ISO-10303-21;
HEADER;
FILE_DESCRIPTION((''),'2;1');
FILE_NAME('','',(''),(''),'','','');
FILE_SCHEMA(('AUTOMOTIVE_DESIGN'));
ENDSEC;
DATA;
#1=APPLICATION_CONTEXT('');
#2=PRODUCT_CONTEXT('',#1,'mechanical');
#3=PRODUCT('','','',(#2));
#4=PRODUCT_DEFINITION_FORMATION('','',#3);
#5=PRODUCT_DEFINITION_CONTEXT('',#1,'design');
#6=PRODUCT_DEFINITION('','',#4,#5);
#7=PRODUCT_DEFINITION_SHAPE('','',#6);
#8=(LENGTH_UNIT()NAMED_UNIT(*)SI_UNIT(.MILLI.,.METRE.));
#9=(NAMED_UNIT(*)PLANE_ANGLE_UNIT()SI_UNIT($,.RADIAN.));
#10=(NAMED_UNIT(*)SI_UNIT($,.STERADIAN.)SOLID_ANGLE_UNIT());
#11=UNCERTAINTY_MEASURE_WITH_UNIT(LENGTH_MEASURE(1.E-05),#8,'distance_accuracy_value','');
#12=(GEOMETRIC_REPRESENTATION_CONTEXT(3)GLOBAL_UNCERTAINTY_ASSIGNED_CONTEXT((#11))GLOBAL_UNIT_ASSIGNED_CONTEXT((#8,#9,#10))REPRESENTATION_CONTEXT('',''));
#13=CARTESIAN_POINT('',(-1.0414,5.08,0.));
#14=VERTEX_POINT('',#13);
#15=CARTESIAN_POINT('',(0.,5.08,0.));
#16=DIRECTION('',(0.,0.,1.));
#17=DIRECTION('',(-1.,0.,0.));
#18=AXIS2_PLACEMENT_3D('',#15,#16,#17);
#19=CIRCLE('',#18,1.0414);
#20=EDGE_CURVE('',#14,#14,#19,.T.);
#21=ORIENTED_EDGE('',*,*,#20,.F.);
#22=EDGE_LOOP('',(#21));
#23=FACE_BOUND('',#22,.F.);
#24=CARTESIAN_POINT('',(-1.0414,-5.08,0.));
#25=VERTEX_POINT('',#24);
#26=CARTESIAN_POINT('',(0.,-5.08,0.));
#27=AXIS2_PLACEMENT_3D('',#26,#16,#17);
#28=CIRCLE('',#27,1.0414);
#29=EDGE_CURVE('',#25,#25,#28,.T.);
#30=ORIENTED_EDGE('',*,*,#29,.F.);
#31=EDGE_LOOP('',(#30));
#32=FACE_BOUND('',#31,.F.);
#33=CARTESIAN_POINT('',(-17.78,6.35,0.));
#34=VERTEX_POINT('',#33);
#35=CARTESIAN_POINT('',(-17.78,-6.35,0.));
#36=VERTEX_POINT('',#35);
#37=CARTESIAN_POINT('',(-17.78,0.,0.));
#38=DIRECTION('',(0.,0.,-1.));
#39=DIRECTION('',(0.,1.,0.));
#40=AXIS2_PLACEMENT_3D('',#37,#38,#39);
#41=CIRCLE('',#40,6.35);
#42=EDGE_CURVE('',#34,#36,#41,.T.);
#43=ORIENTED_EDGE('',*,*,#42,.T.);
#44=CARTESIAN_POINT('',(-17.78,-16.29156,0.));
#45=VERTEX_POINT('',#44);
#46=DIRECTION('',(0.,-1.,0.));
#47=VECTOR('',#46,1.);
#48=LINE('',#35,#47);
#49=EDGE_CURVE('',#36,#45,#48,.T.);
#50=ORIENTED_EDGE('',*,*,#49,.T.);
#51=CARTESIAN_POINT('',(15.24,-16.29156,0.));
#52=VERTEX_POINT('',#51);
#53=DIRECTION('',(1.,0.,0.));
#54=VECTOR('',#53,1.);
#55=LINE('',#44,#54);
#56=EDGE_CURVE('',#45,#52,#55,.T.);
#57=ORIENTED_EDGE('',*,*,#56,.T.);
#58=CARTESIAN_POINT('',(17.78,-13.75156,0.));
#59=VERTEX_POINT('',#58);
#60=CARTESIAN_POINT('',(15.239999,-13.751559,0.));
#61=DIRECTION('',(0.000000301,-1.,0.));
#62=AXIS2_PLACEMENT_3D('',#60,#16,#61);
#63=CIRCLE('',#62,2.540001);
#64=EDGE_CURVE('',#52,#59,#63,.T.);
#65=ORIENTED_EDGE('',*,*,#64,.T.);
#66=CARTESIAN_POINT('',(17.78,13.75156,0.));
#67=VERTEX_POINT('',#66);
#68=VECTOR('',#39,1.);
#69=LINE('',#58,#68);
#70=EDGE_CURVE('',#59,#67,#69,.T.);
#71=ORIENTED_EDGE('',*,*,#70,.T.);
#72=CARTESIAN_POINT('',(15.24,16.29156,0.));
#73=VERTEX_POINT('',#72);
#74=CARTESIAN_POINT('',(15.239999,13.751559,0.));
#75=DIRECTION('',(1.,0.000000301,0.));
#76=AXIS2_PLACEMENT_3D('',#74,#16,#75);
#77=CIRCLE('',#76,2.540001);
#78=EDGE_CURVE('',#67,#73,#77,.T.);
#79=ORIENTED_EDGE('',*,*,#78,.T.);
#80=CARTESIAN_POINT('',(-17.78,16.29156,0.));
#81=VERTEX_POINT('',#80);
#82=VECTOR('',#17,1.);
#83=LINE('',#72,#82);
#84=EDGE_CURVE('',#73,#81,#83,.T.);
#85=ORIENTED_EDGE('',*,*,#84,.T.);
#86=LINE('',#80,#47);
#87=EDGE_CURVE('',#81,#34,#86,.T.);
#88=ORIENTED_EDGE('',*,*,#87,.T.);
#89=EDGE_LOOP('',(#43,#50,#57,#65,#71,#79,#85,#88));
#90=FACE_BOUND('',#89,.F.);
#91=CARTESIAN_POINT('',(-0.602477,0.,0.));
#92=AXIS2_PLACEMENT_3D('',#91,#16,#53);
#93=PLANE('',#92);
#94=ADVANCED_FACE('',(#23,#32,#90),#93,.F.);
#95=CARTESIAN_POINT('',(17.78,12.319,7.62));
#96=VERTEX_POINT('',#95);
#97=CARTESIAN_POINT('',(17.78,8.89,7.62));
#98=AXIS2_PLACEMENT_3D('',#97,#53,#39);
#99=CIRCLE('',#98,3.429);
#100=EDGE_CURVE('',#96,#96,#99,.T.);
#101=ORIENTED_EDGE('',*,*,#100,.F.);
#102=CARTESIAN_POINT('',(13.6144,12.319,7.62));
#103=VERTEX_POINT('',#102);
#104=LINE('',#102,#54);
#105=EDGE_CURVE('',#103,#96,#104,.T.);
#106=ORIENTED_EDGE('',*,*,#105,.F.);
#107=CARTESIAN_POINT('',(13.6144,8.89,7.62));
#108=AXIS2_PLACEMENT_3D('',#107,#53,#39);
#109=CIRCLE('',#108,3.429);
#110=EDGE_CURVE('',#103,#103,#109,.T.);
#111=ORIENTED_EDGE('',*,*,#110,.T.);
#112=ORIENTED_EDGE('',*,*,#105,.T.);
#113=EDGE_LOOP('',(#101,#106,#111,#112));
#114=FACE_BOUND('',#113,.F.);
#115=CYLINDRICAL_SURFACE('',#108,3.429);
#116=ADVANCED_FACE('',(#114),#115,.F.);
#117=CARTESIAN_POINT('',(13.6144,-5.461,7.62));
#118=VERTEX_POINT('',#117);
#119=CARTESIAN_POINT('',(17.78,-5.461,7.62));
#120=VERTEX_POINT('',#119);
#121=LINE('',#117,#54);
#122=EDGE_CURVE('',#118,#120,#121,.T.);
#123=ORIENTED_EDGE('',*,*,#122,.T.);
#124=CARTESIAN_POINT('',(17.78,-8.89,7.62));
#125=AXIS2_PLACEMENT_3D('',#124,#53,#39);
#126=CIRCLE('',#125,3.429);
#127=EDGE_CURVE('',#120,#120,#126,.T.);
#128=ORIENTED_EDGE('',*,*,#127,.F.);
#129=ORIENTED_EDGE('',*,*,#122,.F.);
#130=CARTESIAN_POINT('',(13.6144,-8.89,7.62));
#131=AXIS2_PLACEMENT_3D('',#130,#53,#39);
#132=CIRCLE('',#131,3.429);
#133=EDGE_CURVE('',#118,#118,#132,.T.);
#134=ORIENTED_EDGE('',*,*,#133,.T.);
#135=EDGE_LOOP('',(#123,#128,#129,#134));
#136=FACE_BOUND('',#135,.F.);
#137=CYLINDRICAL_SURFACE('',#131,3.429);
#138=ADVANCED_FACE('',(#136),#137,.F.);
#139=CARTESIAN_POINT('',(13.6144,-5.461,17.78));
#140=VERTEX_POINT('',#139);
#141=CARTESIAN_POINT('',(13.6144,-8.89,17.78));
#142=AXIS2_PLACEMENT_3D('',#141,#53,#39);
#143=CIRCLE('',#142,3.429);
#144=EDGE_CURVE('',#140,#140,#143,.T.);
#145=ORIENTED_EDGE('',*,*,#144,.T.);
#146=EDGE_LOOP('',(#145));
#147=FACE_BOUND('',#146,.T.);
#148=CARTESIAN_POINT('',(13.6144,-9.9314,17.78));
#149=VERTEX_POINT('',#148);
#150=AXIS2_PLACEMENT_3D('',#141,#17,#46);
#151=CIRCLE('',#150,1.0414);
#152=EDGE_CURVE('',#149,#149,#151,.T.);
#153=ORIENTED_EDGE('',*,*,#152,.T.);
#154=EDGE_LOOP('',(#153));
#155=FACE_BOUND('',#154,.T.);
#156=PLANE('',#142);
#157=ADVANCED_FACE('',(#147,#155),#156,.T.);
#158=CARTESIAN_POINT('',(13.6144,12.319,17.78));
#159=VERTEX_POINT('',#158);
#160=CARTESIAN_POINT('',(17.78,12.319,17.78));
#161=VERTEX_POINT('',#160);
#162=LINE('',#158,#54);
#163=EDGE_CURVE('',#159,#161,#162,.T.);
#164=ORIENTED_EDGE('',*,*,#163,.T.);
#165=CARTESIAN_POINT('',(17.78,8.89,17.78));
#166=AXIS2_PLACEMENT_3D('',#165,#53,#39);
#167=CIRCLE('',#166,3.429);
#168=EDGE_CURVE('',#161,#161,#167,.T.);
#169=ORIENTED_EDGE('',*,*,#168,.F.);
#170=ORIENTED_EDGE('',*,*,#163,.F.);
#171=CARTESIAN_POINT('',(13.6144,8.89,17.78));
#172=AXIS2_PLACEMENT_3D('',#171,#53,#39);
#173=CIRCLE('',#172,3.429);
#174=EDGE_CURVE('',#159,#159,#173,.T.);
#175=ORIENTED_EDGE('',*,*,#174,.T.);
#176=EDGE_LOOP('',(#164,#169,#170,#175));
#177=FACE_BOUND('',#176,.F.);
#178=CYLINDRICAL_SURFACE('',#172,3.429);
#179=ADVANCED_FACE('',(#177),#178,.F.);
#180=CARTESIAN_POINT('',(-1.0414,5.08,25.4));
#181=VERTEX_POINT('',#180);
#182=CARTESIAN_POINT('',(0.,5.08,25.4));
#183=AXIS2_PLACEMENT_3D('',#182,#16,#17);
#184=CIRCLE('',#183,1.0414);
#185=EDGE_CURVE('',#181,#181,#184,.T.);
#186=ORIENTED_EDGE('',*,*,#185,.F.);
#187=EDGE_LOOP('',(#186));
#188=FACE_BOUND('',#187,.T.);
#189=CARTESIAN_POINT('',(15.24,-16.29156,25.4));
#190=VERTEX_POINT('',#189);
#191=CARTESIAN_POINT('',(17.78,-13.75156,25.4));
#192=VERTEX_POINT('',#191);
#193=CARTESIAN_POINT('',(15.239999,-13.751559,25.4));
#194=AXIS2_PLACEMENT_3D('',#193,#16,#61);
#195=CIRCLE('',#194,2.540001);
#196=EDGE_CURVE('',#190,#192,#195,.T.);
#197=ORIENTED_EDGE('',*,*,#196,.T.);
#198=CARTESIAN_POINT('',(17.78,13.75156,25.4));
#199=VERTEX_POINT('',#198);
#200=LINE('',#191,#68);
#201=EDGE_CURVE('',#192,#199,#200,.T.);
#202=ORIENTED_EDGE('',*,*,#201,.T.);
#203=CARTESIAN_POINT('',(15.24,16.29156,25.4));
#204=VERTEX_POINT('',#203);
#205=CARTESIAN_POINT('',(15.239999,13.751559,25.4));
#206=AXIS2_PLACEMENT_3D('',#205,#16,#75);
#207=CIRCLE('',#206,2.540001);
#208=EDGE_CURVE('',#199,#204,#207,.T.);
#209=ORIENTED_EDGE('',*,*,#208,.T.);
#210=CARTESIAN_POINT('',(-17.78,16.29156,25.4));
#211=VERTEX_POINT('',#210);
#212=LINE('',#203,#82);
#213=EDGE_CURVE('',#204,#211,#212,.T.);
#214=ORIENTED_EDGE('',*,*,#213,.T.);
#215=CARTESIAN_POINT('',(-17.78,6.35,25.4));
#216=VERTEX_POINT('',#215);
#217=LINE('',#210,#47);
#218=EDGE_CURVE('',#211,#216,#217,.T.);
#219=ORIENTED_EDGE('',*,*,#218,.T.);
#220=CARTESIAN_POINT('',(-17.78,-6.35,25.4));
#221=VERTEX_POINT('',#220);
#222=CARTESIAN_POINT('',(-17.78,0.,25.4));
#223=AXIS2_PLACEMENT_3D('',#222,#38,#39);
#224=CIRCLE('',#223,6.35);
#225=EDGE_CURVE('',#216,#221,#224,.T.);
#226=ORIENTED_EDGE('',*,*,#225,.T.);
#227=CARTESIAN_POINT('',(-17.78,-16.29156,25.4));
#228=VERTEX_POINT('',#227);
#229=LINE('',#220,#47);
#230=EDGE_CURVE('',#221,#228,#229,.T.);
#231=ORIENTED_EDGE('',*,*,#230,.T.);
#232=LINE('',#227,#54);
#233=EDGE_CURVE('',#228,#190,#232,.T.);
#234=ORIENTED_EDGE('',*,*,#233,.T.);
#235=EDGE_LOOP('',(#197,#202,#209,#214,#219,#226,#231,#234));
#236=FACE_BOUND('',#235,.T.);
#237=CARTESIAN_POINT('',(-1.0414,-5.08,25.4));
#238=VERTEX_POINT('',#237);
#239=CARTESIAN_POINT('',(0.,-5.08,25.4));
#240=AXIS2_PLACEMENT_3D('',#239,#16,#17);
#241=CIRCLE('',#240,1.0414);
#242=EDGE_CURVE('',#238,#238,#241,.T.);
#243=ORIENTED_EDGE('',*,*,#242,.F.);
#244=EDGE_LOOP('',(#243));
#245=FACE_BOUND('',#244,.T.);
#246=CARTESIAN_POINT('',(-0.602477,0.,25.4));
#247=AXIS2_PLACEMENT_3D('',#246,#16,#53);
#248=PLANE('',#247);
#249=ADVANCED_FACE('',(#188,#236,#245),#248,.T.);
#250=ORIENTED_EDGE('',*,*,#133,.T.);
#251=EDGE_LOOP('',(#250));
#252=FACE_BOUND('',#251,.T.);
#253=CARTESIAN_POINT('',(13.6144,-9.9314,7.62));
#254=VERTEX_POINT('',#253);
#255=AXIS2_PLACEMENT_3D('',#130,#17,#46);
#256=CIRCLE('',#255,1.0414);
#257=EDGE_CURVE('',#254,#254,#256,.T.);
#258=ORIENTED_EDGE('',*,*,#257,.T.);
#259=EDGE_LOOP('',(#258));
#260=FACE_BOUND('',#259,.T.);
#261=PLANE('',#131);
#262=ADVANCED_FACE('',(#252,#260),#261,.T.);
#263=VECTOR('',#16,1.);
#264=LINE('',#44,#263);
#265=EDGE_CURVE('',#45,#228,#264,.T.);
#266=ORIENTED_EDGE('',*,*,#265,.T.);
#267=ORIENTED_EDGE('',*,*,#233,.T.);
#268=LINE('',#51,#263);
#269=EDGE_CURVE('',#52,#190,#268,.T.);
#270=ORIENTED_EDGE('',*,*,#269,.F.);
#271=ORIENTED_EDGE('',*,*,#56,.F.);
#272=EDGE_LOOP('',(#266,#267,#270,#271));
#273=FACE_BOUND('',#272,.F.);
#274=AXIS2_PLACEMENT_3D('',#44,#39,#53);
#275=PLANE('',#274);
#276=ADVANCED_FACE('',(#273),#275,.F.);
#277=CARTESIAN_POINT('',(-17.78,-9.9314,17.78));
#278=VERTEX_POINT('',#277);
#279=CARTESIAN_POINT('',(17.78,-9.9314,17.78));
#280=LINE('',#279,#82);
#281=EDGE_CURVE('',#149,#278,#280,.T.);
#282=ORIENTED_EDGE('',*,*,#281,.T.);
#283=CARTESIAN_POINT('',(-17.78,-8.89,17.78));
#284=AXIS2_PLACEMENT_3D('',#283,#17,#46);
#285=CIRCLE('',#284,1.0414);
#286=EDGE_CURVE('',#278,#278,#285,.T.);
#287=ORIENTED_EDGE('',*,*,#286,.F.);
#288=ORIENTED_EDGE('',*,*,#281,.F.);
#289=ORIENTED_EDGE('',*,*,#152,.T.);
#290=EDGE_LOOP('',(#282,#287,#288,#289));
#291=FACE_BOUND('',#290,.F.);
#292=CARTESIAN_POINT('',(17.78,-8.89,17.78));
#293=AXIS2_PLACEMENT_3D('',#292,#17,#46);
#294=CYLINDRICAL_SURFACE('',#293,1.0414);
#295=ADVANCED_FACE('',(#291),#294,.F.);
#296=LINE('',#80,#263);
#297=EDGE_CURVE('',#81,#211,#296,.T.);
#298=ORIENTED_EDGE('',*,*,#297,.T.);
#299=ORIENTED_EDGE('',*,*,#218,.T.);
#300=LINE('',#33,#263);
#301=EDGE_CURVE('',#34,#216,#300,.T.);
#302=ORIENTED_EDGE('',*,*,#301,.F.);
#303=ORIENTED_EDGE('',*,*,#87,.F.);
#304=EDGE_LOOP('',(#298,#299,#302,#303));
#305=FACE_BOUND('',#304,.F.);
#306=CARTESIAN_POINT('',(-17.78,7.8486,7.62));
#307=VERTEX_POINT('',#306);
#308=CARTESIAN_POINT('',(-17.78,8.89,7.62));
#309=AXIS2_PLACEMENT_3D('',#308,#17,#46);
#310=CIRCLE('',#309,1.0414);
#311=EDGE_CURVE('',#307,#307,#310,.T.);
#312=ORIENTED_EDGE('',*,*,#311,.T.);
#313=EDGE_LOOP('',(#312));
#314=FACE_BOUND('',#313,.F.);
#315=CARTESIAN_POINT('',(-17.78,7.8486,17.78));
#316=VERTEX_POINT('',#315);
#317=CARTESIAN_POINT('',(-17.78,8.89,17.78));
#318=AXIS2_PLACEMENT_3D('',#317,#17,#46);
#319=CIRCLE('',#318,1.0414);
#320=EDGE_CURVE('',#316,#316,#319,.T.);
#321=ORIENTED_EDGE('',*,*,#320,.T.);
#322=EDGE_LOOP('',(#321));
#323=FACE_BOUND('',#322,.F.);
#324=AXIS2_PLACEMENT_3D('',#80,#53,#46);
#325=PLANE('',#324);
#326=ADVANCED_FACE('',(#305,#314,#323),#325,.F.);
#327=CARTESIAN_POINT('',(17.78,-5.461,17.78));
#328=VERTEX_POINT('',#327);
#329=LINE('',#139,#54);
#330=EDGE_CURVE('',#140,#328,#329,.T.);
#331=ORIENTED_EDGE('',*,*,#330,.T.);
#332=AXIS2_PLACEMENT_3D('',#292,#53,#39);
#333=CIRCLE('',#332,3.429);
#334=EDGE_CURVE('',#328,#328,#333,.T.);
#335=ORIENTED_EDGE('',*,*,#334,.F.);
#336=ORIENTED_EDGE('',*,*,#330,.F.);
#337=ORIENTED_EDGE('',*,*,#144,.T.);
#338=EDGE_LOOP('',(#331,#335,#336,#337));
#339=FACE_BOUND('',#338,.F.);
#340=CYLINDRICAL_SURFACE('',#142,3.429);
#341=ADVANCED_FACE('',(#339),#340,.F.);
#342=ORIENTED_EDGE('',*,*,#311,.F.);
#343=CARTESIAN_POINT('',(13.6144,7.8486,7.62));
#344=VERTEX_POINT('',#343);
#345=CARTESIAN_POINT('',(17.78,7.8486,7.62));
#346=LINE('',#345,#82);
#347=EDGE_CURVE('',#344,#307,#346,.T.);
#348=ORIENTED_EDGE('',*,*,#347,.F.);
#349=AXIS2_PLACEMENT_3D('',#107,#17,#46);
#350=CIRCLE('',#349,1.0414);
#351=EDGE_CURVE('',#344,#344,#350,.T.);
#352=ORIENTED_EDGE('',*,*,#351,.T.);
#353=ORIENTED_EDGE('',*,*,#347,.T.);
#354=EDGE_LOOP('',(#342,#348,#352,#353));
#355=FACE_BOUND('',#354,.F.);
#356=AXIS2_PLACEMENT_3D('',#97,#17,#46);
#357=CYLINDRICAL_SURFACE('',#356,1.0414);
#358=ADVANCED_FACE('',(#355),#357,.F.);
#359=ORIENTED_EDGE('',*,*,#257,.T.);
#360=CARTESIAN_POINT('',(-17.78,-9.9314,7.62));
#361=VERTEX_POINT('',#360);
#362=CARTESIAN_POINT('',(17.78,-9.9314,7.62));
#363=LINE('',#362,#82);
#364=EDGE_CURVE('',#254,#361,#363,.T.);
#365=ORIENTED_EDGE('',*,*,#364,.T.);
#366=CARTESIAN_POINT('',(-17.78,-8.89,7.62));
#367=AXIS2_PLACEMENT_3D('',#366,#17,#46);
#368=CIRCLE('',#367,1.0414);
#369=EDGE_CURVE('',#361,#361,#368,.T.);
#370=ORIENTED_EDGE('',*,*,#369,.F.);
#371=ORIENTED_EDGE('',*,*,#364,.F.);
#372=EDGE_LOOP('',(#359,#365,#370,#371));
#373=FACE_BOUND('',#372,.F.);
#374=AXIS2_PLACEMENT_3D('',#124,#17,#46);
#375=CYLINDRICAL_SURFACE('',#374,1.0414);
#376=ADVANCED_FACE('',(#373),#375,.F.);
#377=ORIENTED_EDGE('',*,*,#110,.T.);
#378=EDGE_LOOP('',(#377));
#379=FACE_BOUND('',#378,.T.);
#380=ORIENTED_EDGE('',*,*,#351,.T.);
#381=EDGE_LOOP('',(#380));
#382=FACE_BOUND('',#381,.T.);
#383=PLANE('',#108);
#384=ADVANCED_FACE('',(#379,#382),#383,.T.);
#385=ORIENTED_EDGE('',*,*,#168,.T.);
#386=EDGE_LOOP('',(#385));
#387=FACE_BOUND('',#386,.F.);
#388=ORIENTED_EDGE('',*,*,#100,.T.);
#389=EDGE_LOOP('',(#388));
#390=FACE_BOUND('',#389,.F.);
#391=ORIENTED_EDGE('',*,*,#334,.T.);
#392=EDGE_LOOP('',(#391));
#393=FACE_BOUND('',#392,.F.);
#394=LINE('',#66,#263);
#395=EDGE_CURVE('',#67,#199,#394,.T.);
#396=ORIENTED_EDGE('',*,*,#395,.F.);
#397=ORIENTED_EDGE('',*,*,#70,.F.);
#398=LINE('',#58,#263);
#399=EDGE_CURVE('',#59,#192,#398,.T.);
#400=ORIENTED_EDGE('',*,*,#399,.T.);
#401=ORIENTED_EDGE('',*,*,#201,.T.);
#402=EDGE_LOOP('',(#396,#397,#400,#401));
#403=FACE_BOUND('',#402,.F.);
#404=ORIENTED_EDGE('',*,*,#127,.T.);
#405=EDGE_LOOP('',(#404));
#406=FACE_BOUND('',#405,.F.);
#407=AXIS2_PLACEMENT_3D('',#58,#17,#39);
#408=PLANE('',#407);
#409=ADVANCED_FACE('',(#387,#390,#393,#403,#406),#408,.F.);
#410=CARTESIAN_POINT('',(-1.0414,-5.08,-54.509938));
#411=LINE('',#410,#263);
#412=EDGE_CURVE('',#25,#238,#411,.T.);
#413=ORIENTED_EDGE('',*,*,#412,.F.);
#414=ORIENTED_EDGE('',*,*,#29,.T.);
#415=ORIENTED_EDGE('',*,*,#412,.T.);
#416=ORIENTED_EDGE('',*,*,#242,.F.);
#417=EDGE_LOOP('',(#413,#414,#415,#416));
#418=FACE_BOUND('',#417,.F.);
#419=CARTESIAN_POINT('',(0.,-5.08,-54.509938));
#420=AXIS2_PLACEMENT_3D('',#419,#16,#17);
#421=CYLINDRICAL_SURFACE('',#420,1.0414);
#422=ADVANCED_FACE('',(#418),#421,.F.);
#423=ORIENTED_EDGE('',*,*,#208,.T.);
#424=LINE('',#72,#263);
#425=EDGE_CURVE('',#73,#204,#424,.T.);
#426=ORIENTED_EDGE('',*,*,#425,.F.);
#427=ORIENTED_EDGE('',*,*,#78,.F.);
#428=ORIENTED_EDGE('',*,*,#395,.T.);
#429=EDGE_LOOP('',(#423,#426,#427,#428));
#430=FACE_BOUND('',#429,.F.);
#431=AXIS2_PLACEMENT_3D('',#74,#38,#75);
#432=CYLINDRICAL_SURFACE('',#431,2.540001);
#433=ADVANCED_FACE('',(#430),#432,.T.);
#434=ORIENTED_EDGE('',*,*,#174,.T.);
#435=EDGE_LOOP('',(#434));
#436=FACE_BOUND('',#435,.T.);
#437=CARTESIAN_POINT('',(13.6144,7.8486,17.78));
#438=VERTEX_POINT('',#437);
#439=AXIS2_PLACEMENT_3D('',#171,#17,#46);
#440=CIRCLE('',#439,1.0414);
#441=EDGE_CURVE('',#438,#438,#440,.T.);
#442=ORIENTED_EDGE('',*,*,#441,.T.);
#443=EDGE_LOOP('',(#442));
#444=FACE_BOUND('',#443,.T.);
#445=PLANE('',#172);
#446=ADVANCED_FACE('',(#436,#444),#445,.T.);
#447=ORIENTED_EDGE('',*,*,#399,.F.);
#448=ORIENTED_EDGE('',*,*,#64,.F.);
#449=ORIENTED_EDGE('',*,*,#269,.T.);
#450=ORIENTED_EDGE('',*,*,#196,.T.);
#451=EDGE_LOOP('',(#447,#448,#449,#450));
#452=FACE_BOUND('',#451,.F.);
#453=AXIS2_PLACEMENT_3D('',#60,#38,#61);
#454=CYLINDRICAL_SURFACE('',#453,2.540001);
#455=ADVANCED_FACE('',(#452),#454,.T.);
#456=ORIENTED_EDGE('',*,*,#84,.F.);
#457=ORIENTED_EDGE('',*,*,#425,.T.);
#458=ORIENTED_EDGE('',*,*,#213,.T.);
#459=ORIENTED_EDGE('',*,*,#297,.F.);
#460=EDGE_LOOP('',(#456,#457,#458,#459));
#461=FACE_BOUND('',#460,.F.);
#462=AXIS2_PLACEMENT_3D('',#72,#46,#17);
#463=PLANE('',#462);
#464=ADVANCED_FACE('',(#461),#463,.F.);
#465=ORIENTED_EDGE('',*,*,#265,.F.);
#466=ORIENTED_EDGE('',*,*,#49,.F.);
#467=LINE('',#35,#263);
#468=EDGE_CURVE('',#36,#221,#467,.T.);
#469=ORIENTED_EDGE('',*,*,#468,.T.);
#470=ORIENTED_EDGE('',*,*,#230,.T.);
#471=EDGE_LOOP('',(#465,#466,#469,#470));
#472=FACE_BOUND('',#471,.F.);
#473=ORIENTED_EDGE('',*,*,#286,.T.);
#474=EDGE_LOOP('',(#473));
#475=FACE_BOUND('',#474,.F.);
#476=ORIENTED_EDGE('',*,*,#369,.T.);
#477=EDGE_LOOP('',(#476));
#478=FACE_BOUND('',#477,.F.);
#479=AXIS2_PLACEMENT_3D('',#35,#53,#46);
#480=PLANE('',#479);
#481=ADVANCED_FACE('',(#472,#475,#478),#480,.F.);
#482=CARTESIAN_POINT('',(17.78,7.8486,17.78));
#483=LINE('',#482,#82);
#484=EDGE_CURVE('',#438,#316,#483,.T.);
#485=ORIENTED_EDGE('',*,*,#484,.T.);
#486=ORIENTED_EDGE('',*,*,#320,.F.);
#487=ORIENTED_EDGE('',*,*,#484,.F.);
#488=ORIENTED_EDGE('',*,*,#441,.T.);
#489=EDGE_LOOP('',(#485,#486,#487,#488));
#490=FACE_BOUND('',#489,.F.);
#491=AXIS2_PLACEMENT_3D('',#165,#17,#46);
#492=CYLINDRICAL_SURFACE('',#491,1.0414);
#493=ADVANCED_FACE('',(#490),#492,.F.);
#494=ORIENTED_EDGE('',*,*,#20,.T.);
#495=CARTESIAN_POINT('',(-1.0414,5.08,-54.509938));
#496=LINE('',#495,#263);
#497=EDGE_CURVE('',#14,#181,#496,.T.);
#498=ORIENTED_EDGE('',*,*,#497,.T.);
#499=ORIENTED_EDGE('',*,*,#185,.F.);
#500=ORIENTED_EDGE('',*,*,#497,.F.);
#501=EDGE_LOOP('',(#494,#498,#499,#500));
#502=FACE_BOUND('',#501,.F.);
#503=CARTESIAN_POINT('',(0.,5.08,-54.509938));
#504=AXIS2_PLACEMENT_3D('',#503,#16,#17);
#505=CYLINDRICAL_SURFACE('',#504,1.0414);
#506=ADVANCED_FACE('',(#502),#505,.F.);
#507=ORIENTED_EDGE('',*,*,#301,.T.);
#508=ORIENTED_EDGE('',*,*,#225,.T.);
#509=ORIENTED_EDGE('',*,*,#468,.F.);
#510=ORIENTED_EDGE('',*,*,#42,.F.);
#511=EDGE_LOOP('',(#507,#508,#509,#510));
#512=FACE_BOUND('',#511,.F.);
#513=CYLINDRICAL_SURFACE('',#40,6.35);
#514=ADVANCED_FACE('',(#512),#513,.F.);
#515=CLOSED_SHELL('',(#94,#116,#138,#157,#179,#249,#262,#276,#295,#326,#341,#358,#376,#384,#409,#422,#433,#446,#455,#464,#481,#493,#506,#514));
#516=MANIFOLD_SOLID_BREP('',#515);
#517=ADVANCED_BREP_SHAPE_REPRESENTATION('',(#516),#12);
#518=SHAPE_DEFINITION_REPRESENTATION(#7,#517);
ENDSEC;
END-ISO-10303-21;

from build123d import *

# Parameters (mm, degrees)
F1_DEPTH       = 25.4
F3_D           = 2.0828
F3_CBORE_D     = 6.858
F3_CBORE_DEPTH = 4.1656
F5_D           = 2.0828


with BuildPart() as f1:
    # F0 (on Top) → F1 (new body)
    with BuildSketch(Plane.XY):
        with BuildLine():
            Line((-17.78, -6.35), (-17.78, -16.29156))
            Line((-17.78, -16.29156), (15.24, -16.29156))
            ThreePointArc((15.24, -16.29156), (17.036051, -15.547611), (17.78, -13.75156))
            Line((17.78, -13.75156), (17.78, 13.75156))
            ThreePointArc((17.78, 13.75156), (17.036051, 15.547611), (15.24, 16.29156))
            Line((15.24, 16.29156), (-17.78, 16.29156))
            Line((-17.78, 16.29156), (-17.78, 6.35))
            ThreePointArc((-17.78, 6.35), (-11.43, 0), (-17.78, -6.35))
        make_face()
    extrude(amount=F1_DEPTH)

    # F3 (through all)
    with Locations(Plane.YZ.offset(17.78)):
        with Locations((-8.89, 17.78), (-8.89, 7.62), (8.89, 17.78), (8.89, 7.62)):
            CounterBoreHole(F3_D / 2, F3_CBORE_D / 2, F3_CBORE_DEPTH)

    # F5 (through all)
    with Locations(Plane(origin=(0, 0, 0), x_dir=(1, 0, 0), z_dir=(0, 0, -1))):
        with Locations((0, 5.08), (0, -5.08)):
            Hole(F5_D / 2)


solid = f1.part
